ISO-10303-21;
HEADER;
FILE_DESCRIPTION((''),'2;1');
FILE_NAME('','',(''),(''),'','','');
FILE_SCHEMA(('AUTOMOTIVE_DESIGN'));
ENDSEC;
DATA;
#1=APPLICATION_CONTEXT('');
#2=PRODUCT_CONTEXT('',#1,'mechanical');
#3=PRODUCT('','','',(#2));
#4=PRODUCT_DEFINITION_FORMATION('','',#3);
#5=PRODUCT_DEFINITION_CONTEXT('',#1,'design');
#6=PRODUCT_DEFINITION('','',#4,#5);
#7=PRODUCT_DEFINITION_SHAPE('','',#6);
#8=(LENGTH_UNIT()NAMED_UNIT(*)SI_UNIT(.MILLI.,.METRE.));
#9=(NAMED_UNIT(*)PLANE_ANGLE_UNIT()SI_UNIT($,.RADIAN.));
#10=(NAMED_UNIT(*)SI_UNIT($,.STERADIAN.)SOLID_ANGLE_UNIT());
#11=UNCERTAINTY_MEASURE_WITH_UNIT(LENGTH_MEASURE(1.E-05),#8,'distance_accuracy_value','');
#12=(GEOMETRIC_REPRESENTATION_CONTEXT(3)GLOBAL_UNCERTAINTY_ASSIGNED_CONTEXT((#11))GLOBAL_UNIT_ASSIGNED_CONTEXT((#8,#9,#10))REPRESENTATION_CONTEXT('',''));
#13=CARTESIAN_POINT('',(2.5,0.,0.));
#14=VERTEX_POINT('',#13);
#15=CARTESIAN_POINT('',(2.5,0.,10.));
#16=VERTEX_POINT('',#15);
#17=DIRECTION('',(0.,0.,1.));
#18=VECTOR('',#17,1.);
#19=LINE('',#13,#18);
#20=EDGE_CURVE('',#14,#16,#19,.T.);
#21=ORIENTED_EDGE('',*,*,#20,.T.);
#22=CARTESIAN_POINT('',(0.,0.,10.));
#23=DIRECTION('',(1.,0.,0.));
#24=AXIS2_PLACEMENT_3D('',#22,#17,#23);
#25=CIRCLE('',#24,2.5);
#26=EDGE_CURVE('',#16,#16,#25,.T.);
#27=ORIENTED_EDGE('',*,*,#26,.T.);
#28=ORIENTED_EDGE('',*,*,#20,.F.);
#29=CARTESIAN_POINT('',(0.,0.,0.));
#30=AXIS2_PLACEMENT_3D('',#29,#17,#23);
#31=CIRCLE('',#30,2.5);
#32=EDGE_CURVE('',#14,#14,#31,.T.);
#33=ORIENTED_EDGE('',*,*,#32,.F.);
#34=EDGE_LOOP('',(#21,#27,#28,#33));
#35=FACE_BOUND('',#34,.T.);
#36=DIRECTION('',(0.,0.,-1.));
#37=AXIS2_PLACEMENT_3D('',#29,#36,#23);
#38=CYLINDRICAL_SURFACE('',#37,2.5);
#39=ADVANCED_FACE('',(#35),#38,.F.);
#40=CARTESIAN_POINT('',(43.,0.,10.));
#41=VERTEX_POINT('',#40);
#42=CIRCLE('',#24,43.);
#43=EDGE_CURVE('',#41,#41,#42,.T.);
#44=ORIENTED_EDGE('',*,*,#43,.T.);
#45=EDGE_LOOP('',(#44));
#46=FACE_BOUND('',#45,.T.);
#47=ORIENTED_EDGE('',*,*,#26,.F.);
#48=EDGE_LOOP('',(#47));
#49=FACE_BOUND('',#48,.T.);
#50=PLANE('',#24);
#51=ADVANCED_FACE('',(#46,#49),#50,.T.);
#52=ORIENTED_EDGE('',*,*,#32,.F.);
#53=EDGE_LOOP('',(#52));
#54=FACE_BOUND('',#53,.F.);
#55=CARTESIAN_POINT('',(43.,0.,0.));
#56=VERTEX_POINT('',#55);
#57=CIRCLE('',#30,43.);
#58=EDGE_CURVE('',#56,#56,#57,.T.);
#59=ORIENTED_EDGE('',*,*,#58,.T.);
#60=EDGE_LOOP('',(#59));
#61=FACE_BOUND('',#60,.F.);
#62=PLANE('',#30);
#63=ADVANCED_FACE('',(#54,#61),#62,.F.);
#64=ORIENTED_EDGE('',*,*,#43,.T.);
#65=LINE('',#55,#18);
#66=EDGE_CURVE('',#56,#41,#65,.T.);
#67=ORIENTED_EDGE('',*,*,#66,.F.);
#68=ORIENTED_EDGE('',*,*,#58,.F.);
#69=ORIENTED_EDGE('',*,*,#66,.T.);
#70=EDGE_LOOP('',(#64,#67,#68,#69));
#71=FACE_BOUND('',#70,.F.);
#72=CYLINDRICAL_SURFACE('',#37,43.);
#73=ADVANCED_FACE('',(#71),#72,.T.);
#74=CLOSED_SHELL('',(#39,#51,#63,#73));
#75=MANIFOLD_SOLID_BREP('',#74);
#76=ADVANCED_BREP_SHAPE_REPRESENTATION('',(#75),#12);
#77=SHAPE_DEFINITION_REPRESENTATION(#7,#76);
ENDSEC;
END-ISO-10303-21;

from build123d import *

# Parameters (mm, degrees)
SKETCH_R   = 43
SKETCH_R_2 = 2.5
PAD_DEPTH  = 10


with BuildPart() as part:
    # Sketch → Pad (new body)
    with BuildSketch(Plane.XY):
        Circle(SKETCH_R)
        Circle(SKETCH_R_2, mode=Mode.SUBTRACT)
    extrude(amount=PAD_DEPTH)


solid = part.part
